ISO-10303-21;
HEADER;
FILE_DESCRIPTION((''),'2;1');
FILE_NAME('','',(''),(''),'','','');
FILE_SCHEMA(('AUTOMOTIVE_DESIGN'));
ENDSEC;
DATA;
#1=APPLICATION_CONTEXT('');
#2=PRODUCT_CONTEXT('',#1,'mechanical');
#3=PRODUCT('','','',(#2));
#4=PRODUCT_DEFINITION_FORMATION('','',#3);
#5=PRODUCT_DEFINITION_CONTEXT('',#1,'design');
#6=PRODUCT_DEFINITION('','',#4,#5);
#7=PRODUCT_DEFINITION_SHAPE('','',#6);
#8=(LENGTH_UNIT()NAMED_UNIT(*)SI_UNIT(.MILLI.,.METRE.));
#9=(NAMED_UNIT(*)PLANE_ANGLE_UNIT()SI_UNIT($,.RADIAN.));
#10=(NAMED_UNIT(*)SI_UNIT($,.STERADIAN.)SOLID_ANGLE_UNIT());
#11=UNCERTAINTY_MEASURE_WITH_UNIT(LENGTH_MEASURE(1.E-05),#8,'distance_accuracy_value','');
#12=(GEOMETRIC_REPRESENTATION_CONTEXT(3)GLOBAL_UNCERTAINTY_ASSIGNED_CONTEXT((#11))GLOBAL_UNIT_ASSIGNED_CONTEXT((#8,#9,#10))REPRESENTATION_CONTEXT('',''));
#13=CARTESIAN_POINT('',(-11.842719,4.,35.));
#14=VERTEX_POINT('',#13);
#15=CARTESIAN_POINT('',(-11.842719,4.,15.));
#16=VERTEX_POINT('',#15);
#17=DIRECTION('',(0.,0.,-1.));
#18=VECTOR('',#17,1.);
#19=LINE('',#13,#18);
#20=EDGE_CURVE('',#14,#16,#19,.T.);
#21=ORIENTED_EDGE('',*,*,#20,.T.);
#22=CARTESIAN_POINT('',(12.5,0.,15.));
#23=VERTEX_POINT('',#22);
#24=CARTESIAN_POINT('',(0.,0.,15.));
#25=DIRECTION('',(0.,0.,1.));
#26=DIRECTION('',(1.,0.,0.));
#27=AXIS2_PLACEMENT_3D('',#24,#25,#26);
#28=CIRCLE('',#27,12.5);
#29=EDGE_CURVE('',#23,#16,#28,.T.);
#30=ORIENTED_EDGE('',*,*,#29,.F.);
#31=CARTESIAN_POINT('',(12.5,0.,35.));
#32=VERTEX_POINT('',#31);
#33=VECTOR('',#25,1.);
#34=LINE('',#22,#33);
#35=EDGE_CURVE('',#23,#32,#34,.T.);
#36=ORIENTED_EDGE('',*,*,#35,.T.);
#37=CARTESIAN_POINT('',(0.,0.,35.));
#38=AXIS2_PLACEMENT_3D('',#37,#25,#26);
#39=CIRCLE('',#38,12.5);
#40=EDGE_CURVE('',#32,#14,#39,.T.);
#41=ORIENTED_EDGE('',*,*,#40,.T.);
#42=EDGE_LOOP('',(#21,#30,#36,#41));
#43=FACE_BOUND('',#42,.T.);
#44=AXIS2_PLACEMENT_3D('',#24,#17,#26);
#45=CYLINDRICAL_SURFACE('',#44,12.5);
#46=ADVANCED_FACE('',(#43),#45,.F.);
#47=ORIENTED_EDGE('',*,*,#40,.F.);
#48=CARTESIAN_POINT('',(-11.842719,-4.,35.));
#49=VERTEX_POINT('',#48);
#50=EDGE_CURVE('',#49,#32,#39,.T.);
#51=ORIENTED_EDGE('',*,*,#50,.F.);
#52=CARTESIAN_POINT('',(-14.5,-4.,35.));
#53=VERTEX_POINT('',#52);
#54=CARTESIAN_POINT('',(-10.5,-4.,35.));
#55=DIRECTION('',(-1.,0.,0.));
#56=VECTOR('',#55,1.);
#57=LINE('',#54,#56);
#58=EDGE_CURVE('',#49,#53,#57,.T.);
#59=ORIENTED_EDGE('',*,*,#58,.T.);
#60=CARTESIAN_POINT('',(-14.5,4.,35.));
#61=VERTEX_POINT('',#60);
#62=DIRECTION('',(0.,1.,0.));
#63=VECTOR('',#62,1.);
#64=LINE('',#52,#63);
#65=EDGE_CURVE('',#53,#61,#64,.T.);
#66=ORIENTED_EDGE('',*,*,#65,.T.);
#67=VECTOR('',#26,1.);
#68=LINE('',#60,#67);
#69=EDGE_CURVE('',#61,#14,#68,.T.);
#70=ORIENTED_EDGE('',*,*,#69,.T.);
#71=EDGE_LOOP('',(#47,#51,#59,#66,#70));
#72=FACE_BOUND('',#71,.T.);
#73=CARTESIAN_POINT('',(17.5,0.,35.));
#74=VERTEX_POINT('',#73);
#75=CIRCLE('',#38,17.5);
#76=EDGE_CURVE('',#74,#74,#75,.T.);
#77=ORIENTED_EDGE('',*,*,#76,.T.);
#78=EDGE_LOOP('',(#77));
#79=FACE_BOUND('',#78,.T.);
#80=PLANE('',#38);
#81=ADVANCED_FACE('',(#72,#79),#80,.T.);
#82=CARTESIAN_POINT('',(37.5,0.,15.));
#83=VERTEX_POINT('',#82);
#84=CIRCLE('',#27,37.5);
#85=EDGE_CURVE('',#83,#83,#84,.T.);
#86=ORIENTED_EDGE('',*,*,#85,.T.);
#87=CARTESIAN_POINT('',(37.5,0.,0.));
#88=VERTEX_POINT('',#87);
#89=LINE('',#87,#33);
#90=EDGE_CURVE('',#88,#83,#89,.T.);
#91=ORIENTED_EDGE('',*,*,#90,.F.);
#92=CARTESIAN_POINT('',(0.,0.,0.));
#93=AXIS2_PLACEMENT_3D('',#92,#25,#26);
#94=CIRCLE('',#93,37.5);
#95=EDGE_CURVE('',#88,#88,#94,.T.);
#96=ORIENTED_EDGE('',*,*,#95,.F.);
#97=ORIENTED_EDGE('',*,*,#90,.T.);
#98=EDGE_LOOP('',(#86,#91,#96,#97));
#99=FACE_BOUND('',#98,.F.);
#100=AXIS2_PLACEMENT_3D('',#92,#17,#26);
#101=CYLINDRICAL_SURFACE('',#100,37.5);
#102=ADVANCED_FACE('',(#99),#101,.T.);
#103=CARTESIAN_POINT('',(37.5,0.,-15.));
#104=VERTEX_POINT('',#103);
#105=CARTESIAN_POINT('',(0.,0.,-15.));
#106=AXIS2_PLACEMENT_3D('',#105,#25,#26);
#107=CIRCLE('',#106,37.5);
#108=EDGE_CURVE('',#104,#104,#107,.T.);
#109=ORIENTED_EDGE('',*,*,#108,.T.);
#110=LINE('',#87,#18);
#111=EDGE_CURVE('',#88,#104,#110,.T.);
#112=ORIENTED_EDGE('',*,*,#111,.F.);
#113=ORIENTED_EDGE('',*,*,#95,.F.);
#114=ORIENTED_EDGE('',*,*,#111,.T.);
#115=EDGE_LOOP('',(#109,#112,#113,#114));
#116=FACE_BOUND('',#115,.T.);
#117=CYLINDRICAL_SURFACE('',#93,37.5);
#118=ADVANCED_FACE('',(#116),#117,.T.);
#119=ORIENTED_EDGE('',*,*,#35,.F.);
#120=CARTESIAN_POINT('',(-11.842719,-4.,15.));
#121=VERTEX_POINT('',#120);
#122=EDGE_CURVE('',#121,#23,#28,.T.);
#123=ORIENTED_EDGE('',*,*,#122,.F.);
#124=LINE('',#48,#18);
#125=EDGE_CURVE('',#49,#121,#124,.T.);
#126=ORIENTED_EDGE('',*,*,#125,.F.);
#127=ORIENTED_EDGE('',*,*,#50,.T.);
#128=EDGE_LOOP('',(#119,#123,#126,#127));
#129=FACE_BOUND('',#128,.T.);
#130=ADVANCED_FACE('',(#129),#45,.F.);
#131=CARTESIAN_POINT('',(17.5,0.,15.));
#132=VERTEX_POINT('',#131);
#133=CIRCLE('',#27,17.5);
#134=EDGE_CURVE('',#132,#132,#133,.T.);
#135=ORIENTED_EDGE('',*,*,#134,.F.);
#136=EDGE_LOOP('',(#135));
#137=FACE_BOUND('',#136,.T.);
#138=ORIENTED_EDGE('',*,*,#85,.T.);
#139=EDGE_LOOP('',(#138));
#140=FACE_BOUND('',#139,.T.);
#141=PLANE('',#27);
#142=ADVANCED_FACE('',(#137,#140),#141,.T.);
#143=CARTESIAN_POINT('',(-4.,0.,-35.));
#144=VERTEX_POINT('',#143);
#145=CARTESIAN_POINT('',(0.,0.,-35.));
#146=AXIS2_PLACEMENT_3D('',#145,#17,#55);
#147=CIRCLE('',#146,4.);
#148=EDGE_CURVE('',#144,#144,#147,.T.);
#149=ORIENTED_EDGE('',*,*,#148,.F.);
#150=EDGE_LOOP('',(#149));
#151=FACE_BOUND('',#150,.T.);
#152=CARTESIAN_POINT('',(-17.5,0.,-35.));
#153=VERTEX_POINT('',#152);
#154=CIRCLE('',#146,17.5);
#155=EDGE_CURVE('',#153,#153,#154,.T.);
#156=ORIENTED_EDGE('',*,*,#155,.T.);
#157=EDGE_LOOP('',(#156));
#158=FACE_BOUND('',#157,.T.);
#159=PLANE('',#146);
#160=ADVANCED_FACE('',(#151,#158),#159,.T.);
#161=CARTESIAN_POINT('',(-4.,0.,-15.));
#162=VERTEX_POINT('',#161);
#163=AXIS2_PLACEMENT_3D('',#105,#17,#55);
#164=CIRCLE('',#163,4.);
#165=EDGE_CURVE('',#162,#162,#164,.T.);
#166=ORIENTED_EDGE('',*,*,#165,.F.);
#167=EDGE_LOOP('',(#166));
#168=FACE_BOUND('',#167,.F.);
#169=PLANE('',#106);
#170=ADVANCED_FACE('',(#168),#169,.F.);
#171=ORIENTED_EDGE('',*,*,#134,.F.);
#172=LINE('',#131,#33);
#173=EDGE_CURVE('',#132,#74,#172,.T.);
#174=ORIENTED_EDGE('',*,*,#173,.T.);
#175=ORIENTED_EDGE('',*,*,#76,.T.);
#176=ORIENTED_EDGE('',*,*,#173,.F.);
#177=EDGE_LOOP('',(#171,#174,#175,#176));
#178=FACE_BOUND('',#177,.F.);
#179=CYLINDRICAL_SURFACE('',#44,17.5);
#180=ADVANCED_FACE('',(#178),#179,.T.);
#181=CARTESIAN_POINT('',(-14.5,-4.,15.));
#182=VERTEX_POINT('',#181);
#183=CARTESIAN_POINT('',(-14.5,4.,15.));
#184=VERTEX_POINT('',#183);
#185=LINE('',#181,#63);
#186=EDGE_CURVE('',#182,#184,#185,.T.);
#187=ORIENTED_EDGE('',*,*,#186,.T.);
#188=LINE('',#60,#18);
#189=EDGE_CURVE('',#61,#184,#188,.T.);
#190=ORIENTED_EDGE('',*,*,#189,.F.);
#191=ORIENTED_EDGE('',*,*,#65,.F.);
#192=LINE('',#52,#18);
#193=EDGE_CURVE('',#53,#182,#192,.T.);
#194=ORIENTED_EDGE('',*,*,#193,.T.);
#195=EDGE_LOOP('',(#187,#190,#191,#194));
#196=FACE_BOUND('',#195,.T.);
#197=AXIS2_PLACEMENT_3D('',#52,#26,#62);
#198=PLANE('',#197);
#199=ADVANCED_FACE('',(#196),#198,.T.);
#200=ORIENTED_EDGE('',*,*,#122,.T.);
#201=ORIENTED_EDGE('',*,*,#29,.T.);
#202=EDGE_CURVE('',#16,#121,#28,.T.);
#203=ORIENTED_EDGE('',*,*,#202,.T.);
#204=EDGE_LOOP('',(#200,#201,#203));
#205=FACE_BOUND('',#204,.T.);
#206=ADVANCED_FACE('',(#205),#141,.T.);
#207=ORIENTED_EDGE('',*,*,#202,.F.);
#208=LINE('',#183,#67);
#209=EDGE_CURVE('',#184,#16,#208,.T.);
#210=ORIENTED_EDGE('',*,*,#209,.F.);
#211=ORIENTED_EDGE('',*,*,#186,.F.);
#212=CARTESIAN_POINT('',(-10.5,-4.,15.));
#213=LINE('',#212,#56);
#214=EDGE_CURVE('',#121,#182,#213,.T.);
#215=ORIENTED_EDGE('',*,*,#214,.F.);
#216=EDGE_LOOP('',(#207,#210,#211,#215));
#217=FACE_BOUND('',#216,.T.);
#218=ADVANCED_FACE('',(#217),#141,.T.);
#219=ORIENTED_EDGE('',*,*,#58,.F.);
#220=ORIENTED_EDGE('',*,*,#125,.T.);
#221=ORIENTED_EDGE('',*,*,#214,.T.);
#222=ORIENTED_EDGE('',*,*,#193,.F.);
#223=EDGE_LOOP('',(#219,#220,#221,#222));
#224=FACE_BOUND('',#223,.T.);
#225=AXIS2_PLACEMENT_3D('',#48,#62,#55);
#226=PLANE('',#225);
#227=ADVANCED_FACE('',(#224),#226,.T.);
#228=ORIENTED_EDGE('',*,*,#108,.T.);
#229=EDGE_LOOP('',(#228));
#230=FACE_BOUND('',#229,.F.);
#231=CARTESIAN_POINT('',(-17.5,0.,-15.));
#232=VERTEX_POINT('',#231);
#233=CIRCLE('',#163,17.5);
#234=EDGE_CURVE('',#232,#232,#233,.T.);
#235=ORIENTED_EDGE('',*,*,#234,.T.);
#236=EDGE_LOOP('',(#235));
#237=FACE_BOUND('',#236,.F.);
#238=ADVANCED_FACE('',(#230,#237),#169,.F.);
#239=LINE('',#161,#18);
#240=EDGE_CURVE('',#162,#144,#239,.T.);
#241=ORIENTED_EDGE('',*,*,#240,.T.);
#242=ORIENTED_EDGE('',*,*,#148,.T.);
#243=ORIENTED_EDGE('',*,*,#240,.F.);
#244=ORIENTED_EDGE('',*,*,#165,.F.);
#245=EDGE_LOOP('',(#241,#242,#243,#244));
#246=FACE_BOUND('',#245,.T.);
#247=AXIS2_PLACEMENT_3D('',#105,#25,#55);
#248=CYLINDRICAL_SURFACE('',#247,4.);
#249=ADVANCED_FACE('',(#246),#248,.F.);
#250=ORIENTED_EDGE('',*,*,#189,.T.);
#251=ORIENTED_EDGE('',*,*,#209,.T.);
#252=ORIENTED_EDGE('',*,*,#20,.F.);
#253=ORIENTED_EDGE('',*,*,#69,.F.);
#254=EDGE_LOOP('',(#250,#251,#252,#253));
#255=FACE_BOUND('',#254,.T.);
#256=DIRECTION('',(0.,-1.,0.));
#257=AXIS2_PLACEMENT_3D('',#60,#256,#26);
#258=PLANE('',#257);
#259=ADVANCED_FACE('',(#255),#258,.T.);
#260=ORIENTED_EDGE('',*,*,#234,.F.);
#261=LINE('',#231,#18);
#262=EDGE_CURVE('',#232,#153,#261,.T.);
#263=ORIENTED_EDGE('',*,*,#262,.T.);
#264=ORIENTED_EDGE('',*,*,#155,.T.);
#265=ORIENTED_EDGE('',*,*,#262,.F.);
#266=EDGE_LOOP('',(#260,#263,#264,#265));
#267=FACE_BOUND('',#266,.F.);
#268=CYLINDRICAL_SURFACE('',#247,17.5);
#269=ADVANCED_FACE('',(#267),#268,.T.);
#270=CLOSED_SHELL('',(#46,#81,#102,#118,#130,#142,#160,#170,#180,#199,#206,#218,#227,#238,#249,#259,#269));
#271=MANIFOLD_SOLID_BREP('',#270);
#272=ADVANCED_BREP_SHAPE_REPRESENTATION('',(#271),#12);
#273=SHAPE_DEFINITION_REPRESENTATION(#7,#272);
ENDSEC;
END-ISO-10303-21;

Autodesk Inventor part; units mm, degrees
ref_plane "YZ Plane" through (0, 0, 0) normal (1, 0, 0) x (0, 1, 0)
ref_plane "XZ Plane" through (0, 0, 0) normal (0, 1, 0) x (-1, 0, 0)
ref_plane "XY Plane" through (0, 0, 0) normal (0, 0, 1) x (1, 0, 0)
sketch "Sketch1" plane through (0, 0, 0) normal (0, 0, 1) x (1, 0, 0)
  circle A0 centre (0, 0) radius 37.5
  dimension "d0" = 75
extrude "Extrusion1" add sketch "Sketch1" along normal mid plane 30
sketch "Sketch2" plane through (0, 0, 15) normal (0, 0, 1) x (1, 0, 0)
  circle A0 centre (0, 0) radius 17.5
  circle A1 centre (0, 0) radius 12.5
  dimension "d3" = 35
  dimension "d4" = 25
extrude "Extrusion2" add sketch "Sketch2" along normal blind 20
sketch "Sketch3" plane through (0, 0, 35) normal (0, 0, 1) x (1, 0, 0)
  line L0 (-10.5, -4) -> (-14.5, -4)
  line L1 (-14.5, -4) -> (-14.5, 4)
  line L2 (-14.5, 4) -> (-10.5, 4)
  line L3 (-10.5, 4) -> (-10.5, -4)
  circle A0 centre (0, 0) radius 12.5 projected
  line L4 (-10.5, -4) -> (-14.5, 4) construction
  line L5 (-14.5, -4) -> (-10.5, 4) construction
  point P0 (-12.5, 0)
  point P1 (-11.8427, -4)
  point P2 (-11.8427, 4)
  dimension "d7" = 4
  dimension "d8" = 8
extrude "Extrusion3" cut sketch "Sketch3" against normal blind 20 contours L0 L1 L2 A0
sketch "Sketch4" plane through (0, 0, -15) normal (0, 0, -1) x (-1, 0, 0)
  circle A0 centre (0, 0) radius 17.5
  circle A1 centre (0, 0) radius 4
  dimension "d11" = 8
extrude "Extrusion4" add sketch "Sketch4" along normal blind 20
sketch "Sketch5" plane through (0, 0, -35) normal (0, 0, -1) x (-1, 0, 0)
  point P0 (0, 0)
properties part number "pump and e-motor coupling"
